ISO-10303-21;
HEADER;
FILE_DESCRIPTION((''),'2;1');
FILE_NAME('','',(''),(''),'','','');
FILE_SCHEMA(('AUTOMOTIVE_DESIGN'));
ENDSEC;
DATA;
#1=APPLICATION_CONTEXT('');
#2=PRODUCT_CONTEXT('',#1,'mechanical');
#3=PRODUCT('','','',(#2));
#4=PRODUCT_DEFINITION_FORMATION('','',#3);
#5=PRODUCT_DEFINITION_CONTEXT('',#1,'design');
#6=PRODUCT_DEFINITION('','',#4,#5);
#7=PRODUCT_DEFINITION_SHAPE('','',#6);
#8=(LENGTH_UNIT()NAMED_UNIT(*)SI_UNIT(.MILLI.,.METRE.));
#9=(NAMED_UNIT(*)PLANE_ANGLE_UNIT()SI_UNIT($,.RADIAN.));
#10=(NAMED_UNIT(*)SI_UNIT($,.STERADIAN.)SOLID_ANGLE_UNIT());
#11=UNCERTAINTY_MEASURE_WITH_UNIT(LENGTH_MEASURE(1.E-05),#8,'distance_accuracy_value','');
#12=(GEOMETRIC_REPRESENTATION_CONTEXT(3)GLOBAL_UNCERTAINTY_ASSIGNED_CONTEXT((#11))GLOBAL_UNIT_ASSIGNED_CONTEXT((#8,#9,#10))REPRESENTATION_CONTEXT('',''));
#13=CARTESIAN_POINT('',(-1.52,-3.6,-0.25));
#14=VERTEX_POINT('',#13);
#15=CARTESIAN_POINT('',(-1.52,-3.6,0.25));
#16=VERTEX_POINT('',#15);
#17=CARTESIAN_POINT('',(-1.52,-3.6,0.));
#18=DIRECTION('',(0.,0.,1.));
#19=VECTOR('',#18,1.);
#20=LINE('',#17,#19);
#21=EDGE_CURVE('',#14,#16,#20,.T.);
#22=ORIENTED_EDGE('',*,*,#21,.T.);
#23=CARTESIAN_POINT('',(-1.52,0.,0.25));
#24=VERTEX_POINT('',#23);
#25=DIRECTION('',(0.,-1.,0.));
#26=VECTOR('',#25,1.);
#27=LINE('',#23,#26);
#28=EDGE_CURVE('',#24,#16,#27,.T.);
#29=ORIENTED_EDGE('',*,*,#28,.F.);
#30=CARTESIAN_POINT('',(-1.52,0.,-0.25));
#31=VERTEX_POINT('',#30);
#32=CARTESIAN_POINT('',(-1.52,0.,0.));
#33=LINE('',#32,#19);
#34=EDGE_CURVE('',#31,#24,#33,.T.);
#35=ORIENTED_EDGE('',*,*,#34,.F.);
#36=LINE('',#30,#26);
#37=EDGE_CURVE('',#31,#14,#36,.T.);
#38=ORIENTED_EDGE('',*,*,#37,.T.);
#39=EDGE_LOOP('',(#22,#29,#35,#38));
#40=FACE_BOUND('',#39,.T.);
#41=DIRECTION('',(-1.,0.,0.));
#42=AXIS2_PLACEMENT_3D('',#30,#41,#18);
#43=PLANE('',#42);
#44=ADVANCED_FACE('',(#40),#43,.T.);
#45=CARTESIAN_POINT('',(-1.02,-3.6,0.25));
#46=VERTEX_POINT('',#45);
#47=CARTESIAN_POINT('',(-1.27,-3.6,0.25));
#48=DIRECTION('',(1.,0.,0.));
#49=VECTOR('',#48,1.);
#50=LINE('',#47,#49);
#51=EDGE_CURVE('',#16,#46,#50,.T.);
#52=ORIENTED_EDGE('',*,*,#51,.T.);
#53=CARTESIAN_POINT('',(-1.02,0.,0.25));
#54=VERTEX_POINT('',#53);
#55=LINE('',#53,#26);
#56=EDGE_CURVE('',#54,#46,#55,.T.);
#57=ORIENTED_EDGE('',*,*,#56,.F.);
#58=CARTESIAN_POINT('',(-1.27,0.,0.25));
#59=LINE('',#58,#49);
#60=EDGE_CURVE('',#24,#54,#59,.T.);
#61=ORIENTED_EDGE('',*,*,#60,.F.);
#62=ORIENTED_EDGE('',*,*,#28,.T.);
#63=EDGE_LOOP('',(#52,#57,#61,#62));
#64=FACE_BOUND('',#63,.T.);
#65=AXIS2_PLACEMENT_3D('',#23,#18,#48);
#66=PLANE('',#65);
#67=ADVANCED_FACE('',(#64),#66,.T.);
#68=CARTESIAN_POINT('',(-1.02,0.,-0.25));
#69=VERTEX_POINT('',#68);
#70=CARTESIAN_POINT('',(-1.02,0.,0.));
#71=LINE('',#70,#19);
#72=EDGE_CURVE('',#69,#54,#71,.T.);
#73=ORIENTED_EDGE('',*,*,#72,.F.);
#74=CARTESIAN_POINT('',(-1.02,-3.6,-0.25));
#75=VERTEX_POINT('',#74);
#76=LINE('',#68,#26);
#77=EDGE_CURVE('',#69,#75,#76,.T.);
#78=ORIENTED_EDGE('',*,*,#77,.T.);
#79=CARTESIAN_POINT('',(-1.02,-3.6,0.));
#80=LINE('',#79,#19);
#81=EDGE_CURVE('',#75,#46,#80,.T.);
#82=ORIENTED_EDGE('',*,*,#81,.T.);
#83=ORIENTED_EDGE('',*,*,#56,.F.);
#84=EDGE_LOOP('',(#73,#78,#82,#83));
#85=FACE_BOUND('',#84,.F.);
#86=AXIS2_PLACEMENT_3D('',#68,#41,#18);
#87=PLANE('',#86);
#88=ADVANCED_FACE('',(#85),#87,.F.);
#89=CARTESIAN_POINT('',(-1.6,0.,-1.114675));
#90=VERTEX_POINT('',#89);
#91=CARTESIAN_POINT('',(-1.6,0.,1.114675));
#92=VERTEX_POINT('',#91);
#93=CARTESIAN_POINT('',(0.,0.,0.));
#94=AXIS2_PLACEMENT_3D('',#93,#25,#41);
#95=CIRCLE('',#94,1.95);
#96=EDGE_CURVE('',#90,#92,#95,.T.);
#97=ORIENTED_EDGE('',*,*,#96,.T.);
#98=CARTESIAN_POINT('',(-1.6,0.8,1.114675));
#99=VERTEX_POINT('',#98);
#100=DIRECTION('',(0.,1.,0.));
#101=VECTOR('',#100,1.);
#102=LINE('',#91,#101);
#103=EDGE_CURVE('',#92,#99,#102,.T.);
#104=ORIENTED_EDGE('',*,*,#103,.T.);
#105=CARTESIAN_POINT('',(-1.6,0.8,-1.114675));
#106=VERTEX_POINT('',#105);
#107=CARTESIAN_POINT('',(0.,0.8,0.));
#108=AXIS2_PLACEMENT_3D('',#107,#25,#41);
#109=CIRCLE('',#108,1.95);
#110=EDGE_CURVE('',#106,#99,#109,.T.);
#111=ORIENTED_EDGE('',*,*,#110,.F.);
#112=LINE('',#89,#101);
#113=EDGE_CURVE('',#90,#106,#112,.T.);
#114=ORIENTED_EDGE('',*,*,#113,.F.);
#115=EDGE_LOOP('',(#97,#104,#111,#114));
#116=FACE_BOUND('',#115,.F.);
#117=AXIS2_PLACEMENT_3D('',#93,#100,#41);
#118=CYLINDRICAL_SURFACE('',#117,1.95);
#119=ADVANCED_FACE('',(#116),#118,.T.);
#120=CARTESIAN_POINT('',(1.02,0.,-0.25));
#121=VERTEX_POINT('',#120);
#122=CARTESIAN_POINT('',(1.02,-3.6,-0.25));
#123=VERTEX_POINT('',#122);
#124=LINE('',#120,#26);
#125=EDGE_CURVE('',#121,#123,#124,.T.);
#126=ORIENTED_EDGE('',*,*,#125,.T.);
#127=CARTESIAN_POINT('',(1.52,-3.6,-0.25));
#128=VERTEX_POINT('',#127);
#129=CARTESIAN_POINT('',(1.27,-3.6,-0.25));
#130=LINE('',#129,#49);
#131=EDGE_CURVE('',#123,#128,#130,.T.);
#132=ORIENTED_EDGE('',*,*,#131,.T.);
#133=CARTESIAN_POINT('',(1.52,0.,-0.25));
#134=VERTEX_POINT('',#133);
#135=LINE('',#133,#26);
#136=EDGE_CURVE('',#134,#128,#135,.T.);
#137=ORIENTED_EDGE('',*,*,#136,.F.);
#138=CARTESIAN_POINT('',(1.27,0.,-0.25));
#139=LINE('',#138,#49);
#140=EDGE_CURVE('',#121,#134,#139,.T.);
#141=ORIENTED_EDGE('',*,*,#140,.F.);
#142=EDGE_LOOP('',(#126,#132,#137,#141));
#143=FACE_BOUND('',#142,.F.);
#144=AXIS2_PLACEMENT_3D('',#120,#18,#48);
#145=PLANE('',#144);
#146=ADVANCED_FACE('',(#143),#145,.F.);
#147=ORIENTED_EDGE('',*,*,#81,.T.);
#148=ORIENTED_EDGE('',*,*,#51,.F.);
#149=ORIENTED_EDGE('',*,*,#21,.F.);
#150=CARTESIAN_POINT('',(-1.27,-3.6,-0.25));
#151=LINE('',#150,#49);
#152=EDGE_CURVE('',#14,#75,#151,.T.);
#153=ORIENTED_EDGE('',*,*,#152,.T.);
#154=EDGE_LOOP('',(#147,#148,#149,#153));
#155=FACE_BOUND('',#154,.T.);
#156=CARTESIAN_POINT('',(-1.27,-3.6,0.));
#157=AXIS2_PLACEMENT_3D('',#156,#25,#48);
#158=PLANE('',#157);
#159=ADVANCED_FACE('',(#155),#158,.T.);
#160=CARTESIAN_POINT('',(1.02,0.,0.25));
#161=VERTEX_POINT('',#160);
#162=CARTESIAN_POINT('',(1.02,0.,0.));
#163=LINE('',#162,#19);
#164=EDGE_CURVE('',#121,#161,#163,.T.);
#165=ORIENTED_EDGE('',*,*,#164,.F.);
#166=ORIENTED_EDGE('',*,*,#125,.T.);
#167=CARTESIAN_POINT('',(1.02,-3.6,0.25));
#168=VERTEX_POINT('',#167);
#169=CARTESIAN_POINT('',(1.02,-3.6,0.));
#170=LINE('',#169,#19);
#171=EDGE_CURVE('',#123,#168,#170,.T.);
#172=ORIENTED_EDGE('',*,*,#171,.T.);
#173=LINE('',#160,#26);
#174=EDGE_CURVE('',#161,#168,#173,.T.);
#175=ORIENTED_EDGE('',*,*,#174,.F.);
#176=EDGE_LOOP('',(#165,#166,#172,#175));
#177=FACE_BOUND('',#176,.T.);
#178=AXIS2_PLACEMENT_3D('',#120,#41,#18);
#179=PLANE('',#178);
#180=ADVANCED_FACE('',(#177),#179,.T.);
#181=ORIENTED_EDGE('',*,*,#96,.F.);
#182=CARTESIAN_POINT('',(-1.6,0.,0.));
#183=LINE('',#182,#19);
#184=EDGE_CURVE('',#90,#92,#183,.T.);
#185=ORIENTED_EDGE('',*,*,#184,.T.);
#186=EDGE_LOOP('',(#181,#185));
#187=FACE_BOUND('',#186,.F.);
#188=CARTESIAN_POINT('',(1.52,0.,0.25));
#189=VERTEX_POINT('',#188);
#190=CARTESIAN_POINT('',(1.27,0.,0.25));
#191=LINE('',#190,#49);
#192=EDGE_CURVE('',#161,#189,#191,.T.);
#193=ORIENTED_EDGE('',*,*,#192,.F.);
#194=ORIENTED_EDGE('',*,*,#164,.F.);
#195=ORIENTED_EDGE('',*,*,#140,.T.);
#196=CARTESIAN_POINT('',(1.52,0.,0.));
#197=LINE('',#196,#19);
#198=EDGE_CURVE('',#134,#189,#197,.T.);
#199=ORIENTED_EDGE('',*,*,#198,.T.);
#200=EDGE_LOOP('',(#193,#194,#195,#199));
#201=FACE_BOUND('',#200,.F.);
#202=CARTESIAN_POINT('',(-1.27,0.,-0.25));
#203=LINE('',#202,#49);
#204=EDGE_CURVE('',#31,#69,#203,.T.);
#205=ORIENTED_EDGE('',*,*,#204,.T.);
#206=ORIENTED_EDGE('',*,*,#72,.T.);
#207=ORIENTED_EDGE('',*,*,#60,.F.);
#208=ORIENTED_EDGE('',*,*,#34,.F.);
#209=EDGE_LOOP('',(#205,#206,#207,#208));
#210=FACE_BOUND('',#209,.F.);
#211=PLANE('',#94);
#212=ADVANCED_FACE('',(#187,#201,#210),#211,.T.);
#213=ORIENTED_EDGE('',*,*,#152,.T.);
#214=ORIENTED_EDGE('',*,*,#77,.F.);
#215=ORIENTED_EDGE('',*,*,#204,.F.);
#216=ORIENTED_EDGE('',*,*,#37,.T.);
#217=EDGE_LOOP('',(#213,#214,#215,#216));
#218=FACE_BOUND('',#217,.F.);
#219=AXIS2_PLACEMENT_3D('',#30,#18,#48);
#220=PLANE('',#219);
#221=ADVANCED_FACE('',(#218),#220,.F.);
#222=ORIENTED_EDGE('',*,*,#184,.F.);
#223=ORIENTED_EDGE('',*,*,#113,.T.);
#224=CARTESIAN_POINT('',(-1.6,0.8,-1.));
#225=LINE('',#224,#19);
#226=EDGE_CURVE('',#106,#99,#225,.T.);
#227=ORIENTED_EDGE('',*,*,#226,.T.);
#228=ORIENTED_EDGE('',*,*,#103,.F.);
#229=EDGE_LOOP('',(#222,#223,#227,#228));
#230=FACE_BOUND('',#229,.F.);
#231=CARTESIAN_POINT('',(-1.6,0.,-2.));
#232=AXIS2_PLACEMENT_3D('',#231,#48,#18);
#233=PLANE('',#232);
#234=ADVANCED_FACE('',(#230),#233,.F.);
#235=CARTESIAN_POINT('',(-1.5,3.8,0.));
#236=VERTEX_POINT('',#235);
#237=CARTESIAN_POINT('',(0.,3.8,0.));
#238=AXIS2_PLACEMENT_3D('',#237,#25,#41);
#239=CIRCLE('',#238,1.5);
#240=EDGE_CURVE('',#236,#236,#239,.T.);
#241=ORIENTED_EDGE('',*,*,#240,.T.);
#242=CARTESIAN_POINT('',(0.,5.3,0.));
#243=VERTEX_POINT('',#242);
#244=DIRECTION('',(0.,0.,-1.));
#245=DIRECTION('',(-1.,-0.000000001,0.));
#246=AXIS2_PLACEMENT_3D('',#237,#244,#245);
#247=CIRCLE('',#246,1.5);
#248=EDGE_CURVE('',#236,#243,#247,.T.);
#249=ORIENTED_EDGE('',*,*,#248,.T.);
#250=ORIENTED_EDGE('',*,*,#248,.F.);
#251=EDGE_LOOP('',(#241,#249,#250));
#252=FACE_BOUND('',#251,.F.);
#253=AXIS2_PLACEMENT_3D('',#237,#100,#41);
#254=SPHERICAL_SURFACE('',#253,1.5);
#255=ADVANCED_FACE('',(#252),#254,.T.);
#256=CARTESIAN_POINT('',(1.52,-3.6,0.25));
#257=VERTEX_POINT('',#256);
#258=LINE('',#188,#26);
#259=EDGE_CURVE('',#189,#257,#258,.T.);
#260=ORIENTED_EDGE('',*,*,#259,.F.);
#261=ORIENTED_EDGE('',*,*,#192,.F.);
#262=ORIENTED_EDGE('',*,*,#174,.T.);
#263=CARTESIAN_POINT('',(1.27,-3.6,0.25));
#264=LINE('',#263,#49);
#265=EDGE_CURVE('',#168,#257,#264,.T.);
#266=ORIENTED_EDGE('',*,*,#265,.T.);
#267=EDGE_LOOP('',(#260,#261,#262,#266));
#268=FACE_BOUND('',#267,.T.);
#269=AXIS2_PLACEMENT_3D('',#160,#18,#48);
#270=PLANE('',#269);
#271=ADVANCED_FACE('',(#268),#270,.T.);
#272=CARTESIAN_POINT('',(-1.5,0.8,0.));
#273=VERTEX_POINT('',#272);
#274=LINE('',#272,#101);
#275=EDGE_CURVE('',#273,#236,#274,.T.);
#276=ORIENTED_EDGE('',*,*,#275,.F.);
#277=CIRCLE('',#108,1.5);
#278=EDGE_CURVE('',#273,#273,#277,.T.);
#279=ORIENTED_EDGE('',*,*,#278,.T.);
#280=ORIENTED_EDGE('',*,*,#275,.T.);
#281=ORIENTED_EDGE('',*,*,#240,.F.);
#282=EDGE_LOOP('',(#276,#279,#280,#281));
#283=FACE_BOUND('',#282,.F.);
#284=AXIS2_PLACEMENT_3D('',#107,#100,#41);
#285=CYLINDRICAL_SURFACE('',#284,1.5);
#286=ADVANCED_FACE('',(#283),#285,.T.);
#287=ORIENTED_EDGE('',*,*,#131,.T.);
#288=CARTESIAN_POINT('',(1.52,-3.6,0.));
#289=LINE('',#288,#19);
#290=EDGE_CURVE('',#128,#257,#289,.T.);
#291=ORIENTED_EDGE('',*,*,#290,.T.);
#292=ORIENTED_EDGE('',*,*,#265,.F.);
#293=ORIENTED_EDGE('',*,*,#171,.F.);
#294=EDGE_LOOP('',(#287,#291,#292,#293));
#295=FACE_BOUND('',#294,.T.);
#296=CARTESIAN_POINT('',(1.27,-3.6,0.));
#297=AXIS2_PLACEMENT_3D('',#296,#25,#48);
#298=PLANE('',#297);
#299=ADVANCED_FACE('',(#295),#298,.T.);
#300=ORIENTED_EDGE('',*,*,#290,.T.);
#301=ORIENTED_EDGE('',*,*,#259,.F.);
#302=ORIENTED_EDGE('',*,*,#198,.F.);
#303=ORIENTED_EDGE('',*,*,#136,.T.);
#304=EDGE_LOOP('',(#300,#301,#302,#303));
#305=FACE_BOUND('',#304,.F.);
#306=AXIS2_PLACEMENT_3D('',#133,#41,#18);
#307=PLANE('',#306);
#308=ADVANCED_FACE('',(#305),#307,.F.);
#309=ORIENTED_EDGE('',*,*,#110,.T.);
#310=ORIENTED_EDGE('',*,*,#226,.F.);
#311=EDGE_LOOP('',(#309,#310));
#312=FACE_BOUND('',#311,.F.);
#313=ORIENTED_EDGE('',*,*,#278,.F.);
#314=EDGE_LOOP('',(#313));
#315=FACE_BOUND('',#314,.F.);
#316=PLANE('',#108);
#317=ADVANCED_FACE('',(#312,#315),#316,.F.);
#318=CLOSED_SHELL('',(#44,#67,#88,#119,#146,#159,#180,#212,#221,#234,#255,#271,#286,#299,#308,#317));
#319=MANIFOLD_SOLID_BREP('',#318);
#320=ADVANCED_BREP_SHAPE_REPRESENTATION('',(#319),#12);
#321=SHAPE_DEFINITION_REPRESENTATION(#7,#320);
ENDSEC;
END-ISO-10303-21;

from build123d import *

# Parameters (mm, degrees)
ESQUISSE2_W             = 0.5
ESQUISSE2_H             = 0.5
BOSS_EXTRU_1_DEPTH      = 3.6
ESQUISSE3_W             = 1
ESQUISSE3_H             = 4
ENL_V_MAT_EXTRU_1_DEPTH = 6.3


with BuildPart() as part:
    # Esquisse1 → Révolution1 (revolve)
    with BuildSketch(Plane.XY):
        with BuildLine():
            Line((0, 0), (-1.95, 0))
            Line((-1.95, 0), (-1.95, 0.8))
            Line((-1.95, 0.8), (-1.5, 0.8))
            Line((-1.5, 0.8), (-1.5, 3.8))
            ThreePointArc((-1.5, 3.8), (-1.060660172, 4.860660172), (0, 5.3))
            Line((0, 5.3), (0, 0))
        make_face()
    revolve(axis=Axis((0, 5.3, 0), (0, -1, 0)))

    # Esquisse2 → Boss.-Extru.1 (add)
    with BuildSketch(Plane.XZ):
        with Locations((-1.27, 0)):
            Rectangle(ESQUISSE2_W, ESQUISSE2_H)
        with Locations((1.27, 0)):
            Rectangle(ESQUISSE2_W, ESQUISSE2_H)
    extrude(amount=BOSS_EXTRU_1_DEPTH)

    # Esquisse3 → Enlèv. mat.-Extru.1 (cut, through all)
    with BuildSketch(Plane.XZ):
        with Locations((-2.1, 0)):
            Rectangle(ESQUISSE3_W, ESQUISSE3_H)
    extrude(amount=-ENL_V_MAT_EXTRU_1_DEPTH, mode=Mode.SUBTRACT)


solid = part.part
